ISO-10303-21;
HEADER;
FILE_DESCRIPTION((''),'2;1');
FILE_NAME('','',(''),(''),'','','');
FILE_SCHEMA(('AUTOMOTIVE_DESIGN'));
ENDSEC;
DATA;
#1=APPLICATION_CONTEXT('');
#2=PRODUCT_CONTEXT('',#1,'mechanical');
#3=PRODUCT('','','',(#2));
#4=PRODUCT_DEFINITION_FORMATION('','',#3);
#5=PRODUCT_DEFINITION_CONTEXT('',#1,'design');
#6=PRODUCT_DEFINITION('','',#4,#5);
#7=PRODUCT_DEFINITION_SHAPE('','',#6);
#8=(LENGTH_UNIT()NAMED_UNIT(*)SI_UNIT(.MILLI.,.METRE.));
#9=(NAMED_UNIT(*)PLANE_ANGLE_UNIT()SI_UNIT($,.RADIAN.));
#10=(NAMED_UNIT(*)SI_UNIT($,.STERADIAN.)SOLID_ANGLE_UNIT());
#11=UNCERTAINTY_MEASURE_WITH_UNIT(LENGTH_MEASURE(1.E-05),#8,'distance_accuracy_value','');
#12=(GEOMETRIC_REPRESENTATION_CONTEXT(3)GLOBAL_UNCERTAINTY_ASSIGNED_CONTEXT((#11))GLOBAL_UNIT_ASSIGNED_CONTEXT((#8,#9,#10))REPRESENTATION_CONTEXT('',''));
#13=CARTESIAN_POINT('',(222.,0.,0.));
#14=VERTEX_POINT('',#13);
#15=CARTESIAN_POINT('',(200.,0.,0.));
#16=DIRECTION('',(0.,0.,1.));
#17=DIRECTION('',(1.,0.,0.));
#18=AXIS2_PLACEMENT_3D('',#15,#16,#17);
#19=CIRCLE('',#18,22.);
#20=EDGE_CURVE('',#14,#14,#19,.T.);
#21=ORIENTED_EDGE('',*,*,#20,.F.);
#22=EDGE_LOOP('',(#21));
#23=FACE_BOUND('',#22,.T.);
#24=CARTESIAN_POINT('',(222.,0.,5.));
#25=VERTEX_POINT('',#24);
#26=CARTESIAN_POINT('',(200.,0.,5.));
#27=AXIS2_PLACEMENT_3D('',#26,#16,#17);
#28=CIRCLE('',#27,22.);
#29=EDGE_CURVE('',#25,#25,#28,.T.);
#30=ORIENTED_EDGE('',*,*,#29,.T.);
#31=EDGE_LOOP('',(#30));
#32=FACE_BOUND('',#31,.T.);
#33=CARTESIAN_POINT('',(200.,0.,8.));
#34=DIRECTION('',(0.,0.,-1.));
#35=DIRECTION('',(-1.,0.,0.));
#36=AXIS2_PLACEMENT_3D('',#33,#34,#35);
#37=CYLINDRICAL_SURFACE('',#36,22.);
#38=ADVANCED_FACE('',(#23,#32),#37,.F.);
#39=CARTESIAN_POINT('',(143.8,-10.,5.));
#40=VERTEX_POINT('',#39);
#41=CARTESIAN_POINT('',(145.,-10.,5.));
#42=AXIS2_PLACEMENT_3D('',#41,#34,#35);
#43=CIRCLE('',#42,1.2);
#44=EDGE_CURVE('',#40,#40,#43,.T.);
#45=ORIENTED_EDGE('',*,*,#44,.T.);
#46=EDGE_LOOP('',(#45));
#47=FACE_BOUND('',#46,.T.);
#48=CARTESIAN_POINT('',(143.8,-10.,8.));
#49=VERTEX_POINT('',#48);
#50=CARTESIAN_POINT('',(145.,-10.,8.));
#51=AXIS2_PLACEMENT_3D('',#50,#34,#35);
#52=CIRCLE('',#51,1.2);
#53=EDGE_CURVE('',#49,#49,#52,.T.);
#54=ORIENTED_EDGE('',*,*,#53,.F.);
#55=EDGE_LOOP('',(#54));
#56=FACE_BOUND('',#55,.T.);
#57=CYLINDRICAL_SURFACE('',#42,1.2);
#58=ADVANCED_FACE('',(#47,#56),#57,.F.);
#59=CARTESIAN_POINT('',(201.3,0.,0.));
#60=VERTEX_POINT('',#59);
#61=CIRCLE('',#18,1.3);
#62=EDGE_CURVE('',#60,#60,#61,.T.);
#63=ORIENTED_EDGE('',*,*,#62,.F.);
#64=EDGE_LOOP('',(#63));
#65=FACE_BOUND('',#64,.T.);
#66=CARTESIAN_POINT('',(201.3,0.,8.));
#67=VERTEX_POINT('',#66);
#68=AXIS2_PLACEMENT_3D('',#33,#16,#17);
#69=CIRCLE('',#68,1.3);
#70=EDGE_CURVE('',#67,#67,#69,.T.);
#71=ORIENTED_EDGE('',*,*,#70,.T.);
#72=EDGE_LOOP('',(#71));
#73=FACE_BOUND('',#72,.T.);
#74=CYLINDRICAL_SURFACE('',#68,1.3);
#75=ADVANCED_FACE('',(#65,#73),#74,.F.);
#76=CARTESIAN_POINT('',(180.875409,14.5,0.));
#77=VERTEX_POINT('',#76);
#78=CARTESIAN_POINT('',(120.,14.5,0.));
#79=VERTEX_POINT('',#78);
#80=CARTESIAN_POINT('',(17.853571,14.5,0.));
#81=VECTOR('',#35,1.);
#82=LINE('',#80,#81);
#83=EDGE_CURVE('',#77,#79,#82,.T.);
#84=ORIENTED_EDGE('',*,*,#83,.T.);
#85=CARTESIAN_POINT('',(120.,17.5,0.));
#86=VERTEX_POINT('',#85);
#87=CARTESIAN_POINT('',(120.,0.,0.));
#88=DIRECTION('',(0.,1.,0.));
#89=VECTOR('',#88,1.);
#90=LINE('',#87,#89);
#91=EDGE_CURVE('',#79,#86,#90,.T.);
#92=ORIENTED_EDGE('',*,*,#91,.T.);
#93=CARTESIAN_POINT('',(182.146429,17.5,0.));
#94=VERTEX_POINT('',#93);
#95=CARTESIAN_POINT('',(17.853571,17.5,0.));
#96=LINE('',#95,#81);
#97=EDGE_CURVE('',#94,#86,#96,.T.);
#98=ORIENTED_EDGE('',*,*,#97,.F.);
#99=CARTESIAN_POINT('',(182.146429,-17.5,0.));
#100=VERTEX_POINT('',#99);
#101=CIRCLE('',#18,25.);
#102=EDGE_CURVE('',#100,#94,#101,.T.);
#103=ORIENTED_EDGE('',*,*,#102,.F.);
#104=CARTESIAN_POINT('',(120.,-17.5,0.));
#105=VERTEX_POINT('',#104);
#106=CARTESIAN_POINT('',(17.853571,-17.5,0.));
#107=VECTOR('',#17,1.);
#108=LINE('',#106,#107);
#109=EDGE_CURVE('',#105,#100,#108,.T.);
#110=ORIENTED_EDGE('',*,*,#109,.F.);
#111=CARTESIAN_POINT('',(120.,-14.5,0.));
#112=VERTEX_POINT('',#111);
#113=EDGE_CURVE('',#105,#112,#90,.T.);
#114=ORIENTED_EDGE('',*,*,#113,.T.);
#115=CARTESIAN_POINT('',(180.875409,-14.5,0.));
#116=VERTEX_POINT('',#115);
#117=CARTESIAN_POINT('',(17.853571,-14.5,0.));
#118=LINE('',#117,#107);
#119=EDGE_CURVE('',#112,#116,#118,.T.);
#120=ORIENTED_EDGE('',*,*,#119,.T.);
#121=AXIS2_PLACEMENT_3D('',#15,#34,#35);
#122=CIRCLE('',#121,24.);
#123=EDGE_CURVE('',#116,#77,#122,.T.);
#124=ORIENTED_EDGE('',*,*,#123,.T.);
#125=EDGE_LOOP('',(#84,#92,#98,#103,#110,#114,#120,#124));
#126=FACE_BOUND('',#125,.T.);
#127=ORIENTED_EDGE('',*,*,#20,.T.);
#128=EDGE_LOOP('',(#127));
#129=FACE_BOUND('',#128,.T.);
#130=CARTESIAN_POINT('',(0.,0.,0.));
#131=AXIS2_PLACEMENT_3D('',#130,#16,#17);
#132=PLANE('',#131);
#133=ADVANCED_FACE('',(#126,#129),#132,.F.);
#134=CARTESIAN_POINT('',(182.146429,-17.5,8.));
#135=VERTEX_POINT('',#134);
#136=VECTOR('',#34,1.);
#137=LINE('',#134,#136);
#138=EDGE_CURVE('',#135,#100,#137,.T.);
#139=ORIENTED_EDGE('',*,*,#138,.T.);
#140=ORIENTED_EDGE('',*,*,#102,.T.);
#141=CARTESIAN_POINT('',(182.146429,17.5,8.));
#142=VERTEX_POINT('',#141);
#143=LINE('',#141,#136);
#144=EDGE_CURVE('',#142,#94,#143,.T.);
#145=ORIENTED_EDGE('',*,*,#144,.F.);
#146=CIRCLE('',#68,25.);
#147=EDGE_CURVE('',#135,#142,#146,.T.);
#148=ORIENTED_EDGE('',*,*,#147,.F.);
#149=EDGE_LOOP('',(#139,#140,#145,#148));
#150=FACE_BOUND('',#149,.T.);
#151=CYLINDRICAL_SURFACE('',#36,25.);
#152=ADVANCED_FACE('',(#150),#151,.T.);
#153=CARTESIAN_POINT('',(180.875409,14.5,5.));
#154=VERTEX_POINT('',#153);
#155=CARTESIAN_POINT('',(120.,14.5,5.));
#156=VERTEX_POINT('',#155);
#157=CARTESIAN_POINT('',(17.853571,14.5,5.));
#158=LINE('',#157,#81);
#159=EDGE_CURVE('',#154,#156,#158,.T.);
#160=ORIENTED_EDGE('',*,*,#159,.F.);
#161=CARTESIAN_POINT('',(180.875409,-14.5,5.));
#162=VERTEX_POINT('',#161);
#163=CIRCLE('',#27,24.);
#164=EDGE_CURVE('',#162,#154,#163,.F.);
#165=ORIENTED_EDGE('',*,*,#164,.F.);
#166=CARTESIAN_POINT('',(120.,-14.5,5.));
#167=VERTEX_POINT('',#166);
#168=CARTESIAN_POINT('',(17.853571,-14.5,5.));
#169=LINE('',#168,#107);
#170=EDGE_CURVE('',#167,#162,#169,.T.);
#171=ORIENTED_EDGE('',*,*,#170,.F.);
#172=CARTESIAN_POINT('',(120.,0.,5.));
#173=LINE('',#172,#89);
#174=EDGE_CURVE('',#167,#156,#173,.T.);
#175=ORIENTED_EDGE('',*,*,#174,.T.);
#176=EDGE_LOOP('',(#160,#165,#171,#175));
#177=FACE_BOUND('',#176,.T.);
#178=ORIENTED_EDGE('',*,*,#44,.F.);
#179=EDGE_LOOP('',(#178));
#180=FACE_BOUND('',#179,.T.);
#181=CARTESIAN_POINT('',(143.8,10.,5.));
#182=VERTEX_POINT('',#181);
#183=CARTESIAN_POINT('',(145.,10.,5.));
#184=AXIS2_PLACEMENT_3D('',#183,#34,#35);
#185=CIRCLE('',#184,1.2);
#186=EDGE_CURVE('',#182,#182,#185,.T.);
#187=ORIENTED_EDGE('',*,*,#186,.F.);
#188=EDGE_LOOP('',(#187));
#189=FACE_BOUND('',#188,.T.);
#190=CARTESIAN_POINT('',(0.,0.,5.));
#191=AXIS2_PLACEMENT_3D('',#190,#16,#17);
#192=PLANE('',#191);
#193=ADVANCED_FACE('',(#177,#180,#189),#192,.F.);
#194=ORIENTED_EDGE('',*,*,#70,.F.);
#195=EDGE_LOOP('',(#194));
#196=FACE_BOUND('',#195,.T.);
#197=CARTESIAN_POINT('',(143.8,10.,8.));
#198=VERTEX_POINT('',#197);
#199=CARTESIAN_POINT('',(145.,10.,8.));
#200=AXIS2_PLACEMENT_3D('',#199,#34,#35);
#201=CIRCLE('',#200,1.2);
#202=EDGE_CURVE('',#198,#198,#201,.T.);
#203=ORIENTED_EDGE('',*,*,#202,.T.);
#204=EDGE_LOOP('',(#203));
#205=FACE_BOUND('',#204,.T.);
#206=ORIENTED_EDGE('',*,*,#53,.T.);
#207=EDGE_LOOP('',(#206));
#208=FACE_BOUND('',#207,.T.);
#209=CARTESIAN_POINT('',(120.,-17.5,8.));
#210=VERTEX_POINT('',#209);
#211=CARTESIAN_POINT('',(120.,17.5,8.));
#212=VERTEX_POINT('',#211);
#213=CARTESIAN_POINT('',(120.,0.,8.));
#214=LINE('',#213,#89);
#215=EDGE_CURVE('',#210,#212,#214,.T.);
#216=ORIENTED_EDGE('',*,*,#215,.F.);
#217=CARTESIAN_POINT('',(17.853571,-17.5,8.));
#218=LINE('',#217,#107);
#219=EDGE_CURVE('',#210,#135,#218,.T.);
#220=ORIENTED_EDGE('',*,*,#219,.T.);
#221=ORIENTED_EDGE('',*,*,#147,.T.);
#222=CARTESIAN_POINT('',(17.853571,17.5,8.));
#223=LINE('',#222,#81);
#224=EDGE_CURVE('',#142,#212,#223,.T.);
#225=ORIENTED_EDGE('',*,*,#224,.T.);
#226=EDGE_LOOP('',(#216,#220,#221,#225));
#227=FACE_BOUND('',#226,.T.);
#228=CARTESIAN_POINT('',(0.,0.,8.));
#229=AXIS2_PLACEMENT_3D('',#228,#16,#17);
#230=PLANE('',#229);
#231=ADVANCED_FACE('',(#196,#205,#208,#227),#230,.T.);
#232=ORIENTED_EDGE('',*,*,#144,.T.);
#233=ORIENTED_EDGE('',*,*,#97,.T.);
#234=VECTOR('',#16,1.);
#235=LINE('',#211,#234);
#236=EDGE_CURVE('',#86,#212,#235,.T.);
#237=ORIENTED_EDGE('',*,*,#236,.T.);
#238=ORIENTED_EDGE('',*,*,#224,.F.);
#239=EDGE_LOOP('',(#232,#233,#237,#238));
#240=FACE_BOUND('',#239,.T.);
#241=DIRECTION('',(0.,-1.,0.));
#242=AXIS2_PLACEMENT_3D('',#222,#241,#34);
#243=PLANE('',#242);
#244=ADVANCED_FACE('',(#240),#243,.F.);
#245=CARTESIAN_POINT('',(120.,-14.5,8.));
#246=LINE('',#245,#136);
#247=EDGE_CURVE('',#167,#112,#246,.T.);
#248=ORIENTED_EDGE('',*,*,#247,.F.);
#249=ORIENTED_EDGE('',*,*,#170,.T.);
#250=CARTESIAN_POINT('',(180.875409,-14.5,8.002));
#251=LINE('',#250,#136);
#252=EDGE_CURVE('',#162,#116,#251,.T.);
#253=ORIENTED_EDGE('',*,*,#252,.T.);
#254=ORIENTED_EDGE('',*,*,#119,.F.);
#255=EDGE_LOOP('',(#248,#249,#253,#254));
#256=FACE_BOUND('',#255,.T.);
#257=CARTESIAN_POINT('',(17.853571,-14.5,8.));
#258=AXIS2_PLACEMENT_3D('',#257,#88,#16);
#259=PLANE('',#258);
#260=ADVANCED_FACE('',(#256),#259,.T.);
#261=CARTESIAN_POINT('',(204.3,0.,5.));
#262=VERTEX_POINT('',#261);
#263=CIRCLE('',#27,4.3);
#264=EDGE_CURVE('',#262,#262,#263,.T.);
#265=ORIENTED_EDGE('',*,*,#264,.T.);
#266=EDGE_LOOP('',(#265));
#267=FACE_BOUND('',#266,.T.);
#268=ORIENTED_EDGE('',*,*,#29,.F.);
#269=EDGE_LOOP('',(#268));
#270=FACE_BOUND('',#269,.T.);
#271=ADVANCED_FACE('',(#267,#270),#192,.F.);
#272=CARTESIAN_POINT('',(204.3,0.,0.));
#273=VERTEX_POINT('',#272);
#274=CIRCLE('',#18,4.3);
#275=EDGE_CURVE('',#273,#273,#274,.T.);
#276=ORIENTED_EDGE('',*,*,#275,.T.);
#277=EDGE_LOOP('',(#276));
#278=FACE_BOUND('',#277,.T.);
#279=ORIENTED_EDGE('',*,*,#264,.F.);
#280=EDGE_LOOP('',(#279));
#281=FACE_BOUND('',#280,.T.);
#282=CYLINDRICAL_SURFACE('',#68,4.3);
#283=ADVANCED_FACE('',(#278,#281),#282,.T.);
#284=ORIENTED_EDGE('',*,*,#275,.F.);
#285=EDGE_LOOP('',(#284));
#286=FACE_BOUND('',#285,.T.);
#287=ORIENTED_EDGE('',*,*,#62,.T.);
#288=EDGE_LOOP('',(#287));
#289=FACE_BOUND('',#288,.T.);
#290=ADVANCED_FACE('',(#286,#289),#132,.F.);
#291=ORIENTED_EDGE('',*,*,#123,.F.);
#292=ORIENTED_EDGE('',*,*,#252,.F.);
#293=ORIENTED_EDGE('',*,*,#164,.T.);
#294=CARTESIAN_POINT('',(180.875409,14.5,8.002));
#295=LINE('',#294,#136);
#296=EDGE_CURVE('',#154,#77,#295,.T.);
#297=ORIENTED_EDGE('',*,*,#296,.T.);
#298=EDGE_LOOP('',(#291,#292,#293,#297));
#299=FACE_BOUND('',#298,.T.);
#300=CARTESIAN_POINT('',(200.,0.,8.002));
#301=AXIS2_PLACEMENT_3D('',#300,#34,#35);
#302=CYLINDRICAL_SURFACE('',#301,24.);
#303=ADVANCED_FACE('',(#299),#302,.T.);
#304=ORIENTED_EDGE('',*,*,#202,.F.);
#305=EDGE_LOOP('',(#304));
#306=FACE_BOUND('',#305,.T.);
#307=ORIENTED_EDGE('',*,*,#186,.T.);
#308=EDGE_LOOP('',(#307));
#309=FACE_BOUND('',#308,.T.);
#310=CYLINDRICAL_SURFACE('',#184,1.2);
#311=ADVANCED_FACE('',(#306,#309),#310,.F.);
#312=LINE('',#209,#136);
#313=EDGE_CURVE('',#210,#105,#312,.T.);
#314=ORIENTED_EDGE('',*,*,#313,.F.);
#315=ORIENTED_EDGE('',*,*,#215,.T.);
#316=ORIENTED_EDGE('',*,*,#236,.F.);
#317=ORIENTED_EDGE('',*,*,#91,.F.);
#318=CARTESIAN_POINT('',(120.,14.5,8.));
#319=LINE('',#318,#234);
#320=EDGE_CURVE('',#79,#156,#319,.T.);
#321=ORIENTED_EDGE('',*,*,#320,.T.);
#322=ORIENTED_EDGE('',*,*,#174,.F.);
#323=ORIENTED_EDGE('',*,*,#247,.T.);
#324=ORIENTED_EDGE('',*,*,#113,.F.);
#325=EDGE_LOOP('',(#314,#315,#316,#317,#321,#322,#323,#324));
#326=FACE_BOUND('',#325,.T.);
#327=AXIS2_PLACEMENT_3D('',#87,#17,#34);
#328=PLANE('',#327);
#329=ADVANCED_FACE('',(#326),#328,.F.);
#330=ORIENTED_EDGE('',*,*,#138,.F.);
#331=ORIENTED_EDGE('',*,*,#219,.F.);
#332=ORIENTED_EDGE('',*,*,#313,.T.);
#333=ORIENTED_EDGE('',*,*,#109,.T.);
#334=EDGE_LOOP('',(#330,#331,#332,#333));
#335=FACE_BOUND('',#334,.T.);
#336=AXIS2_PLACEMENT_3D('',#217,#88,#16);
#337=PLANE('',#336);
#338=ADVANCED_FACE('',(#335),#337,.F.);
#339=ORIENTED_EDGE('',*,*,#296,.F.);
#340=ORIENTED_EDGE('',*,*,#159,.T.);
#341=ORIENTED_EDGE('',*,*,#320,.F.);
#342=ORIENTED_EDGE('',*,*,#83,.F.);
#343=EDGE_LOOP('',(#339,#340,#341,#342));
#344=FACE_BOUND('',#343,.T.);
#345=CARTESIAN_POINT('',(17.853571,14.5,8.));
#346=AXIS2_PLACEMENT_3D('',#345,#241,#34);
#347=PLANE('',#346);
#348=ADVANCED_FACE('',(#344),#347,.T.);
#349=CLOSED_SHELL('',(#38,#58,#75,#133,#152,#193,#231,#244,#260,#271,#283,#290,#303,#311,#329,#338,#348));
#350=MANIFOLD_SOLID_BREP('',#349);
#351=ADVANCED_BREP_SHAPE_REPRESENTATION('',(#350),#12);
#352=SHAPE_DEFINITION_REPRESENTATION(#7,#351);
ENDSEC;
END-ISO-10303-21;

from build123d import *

# Parameters (mm, degrees)
DODANIE_WYCI_GNI_CIE1_DEPTH = 8
OTW_R_POD_RUB_M22_D         = 2.6
SKORUPA1_T                  = -3
DODANIE_WYCI_GNI_CIE2_REACH = 228.526
OTW_R_POD_RUB_M21_D         = 2.6
WYTNIJ_WYCI_GNI_CIE1_REACH  = 228.526
SZKIC7_W                    = 41
SZKIC7_H                    = 21
OTWORY_USTALAJ_CE_8_0MM1_D  = 8
SZKIC18_W                   = 8
SZKIC18_H                   = 6
SZKIC18_W_2                 = 6
SZKIC18_H_2                 = 4
DODANIE_WYCI_GNI_CIE3_DEPTH = 10
SZYK_LINIOWY1_COUNT         = 2
SZYK_LINIOWY1_PITCH         = 50
OTW_R_POD_RUB_M24_D         = 2.4


with BuildPart() as part:
    # Szkic1 → Dodanie-wyciągnięcie1 (new body)
    with BuildSketch(Plane.XY):
        with BuildLine():
            Line((17.853571071, 17.5), (182.146428929, 17.5))
            ThreePointArc((182.146428929, 17.5), (225, 0), (182.146428929, -17.5))
            Line((182.146428929, -17.5), (17.853571071, -17.5))
            ThreePointArc((17.853571071, -17.5), (-25, 0), (17.853571071, 17.5))
        make_face()
    extrude(amount=DODANIE_WYCI_GNI_CIE1_DEPTH)

    # Otwór pod śrubę M22 (through all)
    with Locations(Plane(origin=(0, 0, 8), x_dir=(-1, 0, 0), z_dir=(0, 0, 1))):
        with Locations((-200, 0)):
            Hole(OTW_R_POD_RUB_M22_D / 2)

    # Skorupa1
    skorupa1_openings = [part.faces().sort_by_distance(p)[0] for p in [
        (99.943079522, 0, 0),
    ]]
    offset(amount=SKORUPA1_T, openings=skorupa1_openings, kind=Kind.INTERSECTION)

    # Szkic15 → Dodanie-wyciągnięcie2 (add, up to next)
    with BuildSketch(Plane(origin=(0, 0, 0), x_dir=(-1, 0, 0), z_dir=(0, 0, -1)), mode=Mode.PRIVATE) as dodanie_wyci_gni_cie2_sk1:
        with BuildLine():
            Line((-16.545392108, -14.5), (-19.124591499, -14.5))
            ThreePointArc((-19.124591499, -14.5), (-24, 0), (-19.124591499, 14.5))
            Line((-19.124591499, 14.5), (-16.545392108, 14.5))
            ThreePointArc((-16.545392108, 14.5), (-22, 0), (-16.545392108, -14.5))
        make_face()
    dodanie_wyci_gni_cie2_tool1 = extrude(dodanie_wyci_gni_cie2_sk1.sketch, amount=-DODANIE_WYCI_GNI_CIE2_REACH, mode=Mode.PRIVATE) - part.part
    # Szkic15 → Dodanie-wyciągnięcie2 (add, up to next)
    with BuildSketch(Plane(origin=(0, 0, 0), x_dir=(-1, 0, 0), z_dir=(0, 0, -1)), mode=Mode.PRIVATE) as dodanie_wyci_gni_cie2_sk2:
        with BuildLine():
            Line((-180.875408501, -14.5), (-183.454607892, -14.5))
            ThreePointArc((-183.454607892, -14.5), (-178, 0), (-183.454607892, 14.5))
            Line((-183.454607892, 14.5), (-180.875408501, 14.5))
            ThreePointArc((-180.875408501, 14.5), (-176, 0), (-180.875408501, -14.5))
        make_face()
    dodanie_wyci_gni_cie2_tool2 = extrude(dodanie_wyci_gni_cie2_sk2.sketch, amount=-DODANIE_WYCI_GNI_CIE2_REACH, mode=Mode.PRIVATE) - part.part
    add(dodanie_wyci_gni_cie2_tool1.solids().sort_by_distance((17.834992, 14.200572, 0))[0])
    add(dodanie_wyci_gni_cie2_tool2.solids().sort_by_distance((182.165008, -14.200572, 0))[0])

    # Otwór pod śrubę M21 (through all)
    with Locations(Plane.XY.offset(8)):
        with Locations((7.1, 0), (-7.1, 0)):
            Hole(OTW_R_POD_RUB_M21_D / 2)

    # Szkic7 → Wytnij-wyciągnięcie1 (cut, up to next)
    with BuildSketch(Plane(origin=(0, 0, 0), x_dir=(-1, 0, 0), z_dir=(0, 0, -1)), mode=Mode.PRIVATE) as wytnij_wyci_gni_cie1_sk1:
        with Locations((-55, 0)):
            Rectangle(SZKIC7_W, SZKIC7_H)
    wytnij_wyci_gni_cie1_tool1 = extrude(wytnij_wyci_gni_cie1_sk1.sketch, amount=-WYTNIJ_WYCI_GNI_CIE1_REACH, mode=Mode.PRIVATE) & part.part
    add(wytnij_wyci_gni_cie1_tool1.solids().sort_by_distance((55, 0, 0))[0], mode=Mode.SUBTRACT)

    # Otwory ustalające Ø8.0mm1 (through all)
    with Locations(Plane(origin=(0, 0, 8), x_dir=(-1, 0, 0), z_dir=(0, 0, 1))):
        with Locations((0, 0)):
            Hole(OTWORY_USTALAJ_CE_8_0MM1_D / 2)

    # Szkic18 → Dodanie-wyciągnięcie3 (add)
    with BuildSketch(Plane(origin=(50, 0, 0), x_dir=(0, 0, -1), z_dir=(1, 0, 0))):
        with Locations((-4, 20.5)):
            Rectangle(SZKIC18_W, SZKIC18_H)
        with Locations((-4, 20.5)):
            Rectangle(SZKIC18_W_2, SZKIC18_H_2, mode=Mode.SUBTRACT)
    dodanie_wyci_gni_cie3 = extrude(amount=DODANIE_WYCI_GNI_CIE3_DEPTH)

    # Szyk liniowy1: Dodanie-wyciągnięcie3 ×2
    with Locations(*[(i * SZYK_LINIOWY1_PITCH, 0, 0) for i in range(1, SZYK_LINIOWY1_COUNT)]):
        add(dodanie_wyci_gni_cie3)

    # Otwór pod śrubę M24 (through all)
    with Locations(Plane(origin=(0, 0, 5), x_dir=(-1, 0, 0), z_dir=(0, 0, -1))):
        with Locations((-145, -10), (-145, 10), (-95, 10), (-95, -10)):
            Hole(OTW_R_POD_RUB_M24_D / 2)

    # Cięcie powierzchnią1
    split(bisect_by=Plane(origin=(120, 0, 0), x_dir=(0, 0, -1), z_dir=(1, 0, 0)), keep=Keep.TOP)


solid = part.part
